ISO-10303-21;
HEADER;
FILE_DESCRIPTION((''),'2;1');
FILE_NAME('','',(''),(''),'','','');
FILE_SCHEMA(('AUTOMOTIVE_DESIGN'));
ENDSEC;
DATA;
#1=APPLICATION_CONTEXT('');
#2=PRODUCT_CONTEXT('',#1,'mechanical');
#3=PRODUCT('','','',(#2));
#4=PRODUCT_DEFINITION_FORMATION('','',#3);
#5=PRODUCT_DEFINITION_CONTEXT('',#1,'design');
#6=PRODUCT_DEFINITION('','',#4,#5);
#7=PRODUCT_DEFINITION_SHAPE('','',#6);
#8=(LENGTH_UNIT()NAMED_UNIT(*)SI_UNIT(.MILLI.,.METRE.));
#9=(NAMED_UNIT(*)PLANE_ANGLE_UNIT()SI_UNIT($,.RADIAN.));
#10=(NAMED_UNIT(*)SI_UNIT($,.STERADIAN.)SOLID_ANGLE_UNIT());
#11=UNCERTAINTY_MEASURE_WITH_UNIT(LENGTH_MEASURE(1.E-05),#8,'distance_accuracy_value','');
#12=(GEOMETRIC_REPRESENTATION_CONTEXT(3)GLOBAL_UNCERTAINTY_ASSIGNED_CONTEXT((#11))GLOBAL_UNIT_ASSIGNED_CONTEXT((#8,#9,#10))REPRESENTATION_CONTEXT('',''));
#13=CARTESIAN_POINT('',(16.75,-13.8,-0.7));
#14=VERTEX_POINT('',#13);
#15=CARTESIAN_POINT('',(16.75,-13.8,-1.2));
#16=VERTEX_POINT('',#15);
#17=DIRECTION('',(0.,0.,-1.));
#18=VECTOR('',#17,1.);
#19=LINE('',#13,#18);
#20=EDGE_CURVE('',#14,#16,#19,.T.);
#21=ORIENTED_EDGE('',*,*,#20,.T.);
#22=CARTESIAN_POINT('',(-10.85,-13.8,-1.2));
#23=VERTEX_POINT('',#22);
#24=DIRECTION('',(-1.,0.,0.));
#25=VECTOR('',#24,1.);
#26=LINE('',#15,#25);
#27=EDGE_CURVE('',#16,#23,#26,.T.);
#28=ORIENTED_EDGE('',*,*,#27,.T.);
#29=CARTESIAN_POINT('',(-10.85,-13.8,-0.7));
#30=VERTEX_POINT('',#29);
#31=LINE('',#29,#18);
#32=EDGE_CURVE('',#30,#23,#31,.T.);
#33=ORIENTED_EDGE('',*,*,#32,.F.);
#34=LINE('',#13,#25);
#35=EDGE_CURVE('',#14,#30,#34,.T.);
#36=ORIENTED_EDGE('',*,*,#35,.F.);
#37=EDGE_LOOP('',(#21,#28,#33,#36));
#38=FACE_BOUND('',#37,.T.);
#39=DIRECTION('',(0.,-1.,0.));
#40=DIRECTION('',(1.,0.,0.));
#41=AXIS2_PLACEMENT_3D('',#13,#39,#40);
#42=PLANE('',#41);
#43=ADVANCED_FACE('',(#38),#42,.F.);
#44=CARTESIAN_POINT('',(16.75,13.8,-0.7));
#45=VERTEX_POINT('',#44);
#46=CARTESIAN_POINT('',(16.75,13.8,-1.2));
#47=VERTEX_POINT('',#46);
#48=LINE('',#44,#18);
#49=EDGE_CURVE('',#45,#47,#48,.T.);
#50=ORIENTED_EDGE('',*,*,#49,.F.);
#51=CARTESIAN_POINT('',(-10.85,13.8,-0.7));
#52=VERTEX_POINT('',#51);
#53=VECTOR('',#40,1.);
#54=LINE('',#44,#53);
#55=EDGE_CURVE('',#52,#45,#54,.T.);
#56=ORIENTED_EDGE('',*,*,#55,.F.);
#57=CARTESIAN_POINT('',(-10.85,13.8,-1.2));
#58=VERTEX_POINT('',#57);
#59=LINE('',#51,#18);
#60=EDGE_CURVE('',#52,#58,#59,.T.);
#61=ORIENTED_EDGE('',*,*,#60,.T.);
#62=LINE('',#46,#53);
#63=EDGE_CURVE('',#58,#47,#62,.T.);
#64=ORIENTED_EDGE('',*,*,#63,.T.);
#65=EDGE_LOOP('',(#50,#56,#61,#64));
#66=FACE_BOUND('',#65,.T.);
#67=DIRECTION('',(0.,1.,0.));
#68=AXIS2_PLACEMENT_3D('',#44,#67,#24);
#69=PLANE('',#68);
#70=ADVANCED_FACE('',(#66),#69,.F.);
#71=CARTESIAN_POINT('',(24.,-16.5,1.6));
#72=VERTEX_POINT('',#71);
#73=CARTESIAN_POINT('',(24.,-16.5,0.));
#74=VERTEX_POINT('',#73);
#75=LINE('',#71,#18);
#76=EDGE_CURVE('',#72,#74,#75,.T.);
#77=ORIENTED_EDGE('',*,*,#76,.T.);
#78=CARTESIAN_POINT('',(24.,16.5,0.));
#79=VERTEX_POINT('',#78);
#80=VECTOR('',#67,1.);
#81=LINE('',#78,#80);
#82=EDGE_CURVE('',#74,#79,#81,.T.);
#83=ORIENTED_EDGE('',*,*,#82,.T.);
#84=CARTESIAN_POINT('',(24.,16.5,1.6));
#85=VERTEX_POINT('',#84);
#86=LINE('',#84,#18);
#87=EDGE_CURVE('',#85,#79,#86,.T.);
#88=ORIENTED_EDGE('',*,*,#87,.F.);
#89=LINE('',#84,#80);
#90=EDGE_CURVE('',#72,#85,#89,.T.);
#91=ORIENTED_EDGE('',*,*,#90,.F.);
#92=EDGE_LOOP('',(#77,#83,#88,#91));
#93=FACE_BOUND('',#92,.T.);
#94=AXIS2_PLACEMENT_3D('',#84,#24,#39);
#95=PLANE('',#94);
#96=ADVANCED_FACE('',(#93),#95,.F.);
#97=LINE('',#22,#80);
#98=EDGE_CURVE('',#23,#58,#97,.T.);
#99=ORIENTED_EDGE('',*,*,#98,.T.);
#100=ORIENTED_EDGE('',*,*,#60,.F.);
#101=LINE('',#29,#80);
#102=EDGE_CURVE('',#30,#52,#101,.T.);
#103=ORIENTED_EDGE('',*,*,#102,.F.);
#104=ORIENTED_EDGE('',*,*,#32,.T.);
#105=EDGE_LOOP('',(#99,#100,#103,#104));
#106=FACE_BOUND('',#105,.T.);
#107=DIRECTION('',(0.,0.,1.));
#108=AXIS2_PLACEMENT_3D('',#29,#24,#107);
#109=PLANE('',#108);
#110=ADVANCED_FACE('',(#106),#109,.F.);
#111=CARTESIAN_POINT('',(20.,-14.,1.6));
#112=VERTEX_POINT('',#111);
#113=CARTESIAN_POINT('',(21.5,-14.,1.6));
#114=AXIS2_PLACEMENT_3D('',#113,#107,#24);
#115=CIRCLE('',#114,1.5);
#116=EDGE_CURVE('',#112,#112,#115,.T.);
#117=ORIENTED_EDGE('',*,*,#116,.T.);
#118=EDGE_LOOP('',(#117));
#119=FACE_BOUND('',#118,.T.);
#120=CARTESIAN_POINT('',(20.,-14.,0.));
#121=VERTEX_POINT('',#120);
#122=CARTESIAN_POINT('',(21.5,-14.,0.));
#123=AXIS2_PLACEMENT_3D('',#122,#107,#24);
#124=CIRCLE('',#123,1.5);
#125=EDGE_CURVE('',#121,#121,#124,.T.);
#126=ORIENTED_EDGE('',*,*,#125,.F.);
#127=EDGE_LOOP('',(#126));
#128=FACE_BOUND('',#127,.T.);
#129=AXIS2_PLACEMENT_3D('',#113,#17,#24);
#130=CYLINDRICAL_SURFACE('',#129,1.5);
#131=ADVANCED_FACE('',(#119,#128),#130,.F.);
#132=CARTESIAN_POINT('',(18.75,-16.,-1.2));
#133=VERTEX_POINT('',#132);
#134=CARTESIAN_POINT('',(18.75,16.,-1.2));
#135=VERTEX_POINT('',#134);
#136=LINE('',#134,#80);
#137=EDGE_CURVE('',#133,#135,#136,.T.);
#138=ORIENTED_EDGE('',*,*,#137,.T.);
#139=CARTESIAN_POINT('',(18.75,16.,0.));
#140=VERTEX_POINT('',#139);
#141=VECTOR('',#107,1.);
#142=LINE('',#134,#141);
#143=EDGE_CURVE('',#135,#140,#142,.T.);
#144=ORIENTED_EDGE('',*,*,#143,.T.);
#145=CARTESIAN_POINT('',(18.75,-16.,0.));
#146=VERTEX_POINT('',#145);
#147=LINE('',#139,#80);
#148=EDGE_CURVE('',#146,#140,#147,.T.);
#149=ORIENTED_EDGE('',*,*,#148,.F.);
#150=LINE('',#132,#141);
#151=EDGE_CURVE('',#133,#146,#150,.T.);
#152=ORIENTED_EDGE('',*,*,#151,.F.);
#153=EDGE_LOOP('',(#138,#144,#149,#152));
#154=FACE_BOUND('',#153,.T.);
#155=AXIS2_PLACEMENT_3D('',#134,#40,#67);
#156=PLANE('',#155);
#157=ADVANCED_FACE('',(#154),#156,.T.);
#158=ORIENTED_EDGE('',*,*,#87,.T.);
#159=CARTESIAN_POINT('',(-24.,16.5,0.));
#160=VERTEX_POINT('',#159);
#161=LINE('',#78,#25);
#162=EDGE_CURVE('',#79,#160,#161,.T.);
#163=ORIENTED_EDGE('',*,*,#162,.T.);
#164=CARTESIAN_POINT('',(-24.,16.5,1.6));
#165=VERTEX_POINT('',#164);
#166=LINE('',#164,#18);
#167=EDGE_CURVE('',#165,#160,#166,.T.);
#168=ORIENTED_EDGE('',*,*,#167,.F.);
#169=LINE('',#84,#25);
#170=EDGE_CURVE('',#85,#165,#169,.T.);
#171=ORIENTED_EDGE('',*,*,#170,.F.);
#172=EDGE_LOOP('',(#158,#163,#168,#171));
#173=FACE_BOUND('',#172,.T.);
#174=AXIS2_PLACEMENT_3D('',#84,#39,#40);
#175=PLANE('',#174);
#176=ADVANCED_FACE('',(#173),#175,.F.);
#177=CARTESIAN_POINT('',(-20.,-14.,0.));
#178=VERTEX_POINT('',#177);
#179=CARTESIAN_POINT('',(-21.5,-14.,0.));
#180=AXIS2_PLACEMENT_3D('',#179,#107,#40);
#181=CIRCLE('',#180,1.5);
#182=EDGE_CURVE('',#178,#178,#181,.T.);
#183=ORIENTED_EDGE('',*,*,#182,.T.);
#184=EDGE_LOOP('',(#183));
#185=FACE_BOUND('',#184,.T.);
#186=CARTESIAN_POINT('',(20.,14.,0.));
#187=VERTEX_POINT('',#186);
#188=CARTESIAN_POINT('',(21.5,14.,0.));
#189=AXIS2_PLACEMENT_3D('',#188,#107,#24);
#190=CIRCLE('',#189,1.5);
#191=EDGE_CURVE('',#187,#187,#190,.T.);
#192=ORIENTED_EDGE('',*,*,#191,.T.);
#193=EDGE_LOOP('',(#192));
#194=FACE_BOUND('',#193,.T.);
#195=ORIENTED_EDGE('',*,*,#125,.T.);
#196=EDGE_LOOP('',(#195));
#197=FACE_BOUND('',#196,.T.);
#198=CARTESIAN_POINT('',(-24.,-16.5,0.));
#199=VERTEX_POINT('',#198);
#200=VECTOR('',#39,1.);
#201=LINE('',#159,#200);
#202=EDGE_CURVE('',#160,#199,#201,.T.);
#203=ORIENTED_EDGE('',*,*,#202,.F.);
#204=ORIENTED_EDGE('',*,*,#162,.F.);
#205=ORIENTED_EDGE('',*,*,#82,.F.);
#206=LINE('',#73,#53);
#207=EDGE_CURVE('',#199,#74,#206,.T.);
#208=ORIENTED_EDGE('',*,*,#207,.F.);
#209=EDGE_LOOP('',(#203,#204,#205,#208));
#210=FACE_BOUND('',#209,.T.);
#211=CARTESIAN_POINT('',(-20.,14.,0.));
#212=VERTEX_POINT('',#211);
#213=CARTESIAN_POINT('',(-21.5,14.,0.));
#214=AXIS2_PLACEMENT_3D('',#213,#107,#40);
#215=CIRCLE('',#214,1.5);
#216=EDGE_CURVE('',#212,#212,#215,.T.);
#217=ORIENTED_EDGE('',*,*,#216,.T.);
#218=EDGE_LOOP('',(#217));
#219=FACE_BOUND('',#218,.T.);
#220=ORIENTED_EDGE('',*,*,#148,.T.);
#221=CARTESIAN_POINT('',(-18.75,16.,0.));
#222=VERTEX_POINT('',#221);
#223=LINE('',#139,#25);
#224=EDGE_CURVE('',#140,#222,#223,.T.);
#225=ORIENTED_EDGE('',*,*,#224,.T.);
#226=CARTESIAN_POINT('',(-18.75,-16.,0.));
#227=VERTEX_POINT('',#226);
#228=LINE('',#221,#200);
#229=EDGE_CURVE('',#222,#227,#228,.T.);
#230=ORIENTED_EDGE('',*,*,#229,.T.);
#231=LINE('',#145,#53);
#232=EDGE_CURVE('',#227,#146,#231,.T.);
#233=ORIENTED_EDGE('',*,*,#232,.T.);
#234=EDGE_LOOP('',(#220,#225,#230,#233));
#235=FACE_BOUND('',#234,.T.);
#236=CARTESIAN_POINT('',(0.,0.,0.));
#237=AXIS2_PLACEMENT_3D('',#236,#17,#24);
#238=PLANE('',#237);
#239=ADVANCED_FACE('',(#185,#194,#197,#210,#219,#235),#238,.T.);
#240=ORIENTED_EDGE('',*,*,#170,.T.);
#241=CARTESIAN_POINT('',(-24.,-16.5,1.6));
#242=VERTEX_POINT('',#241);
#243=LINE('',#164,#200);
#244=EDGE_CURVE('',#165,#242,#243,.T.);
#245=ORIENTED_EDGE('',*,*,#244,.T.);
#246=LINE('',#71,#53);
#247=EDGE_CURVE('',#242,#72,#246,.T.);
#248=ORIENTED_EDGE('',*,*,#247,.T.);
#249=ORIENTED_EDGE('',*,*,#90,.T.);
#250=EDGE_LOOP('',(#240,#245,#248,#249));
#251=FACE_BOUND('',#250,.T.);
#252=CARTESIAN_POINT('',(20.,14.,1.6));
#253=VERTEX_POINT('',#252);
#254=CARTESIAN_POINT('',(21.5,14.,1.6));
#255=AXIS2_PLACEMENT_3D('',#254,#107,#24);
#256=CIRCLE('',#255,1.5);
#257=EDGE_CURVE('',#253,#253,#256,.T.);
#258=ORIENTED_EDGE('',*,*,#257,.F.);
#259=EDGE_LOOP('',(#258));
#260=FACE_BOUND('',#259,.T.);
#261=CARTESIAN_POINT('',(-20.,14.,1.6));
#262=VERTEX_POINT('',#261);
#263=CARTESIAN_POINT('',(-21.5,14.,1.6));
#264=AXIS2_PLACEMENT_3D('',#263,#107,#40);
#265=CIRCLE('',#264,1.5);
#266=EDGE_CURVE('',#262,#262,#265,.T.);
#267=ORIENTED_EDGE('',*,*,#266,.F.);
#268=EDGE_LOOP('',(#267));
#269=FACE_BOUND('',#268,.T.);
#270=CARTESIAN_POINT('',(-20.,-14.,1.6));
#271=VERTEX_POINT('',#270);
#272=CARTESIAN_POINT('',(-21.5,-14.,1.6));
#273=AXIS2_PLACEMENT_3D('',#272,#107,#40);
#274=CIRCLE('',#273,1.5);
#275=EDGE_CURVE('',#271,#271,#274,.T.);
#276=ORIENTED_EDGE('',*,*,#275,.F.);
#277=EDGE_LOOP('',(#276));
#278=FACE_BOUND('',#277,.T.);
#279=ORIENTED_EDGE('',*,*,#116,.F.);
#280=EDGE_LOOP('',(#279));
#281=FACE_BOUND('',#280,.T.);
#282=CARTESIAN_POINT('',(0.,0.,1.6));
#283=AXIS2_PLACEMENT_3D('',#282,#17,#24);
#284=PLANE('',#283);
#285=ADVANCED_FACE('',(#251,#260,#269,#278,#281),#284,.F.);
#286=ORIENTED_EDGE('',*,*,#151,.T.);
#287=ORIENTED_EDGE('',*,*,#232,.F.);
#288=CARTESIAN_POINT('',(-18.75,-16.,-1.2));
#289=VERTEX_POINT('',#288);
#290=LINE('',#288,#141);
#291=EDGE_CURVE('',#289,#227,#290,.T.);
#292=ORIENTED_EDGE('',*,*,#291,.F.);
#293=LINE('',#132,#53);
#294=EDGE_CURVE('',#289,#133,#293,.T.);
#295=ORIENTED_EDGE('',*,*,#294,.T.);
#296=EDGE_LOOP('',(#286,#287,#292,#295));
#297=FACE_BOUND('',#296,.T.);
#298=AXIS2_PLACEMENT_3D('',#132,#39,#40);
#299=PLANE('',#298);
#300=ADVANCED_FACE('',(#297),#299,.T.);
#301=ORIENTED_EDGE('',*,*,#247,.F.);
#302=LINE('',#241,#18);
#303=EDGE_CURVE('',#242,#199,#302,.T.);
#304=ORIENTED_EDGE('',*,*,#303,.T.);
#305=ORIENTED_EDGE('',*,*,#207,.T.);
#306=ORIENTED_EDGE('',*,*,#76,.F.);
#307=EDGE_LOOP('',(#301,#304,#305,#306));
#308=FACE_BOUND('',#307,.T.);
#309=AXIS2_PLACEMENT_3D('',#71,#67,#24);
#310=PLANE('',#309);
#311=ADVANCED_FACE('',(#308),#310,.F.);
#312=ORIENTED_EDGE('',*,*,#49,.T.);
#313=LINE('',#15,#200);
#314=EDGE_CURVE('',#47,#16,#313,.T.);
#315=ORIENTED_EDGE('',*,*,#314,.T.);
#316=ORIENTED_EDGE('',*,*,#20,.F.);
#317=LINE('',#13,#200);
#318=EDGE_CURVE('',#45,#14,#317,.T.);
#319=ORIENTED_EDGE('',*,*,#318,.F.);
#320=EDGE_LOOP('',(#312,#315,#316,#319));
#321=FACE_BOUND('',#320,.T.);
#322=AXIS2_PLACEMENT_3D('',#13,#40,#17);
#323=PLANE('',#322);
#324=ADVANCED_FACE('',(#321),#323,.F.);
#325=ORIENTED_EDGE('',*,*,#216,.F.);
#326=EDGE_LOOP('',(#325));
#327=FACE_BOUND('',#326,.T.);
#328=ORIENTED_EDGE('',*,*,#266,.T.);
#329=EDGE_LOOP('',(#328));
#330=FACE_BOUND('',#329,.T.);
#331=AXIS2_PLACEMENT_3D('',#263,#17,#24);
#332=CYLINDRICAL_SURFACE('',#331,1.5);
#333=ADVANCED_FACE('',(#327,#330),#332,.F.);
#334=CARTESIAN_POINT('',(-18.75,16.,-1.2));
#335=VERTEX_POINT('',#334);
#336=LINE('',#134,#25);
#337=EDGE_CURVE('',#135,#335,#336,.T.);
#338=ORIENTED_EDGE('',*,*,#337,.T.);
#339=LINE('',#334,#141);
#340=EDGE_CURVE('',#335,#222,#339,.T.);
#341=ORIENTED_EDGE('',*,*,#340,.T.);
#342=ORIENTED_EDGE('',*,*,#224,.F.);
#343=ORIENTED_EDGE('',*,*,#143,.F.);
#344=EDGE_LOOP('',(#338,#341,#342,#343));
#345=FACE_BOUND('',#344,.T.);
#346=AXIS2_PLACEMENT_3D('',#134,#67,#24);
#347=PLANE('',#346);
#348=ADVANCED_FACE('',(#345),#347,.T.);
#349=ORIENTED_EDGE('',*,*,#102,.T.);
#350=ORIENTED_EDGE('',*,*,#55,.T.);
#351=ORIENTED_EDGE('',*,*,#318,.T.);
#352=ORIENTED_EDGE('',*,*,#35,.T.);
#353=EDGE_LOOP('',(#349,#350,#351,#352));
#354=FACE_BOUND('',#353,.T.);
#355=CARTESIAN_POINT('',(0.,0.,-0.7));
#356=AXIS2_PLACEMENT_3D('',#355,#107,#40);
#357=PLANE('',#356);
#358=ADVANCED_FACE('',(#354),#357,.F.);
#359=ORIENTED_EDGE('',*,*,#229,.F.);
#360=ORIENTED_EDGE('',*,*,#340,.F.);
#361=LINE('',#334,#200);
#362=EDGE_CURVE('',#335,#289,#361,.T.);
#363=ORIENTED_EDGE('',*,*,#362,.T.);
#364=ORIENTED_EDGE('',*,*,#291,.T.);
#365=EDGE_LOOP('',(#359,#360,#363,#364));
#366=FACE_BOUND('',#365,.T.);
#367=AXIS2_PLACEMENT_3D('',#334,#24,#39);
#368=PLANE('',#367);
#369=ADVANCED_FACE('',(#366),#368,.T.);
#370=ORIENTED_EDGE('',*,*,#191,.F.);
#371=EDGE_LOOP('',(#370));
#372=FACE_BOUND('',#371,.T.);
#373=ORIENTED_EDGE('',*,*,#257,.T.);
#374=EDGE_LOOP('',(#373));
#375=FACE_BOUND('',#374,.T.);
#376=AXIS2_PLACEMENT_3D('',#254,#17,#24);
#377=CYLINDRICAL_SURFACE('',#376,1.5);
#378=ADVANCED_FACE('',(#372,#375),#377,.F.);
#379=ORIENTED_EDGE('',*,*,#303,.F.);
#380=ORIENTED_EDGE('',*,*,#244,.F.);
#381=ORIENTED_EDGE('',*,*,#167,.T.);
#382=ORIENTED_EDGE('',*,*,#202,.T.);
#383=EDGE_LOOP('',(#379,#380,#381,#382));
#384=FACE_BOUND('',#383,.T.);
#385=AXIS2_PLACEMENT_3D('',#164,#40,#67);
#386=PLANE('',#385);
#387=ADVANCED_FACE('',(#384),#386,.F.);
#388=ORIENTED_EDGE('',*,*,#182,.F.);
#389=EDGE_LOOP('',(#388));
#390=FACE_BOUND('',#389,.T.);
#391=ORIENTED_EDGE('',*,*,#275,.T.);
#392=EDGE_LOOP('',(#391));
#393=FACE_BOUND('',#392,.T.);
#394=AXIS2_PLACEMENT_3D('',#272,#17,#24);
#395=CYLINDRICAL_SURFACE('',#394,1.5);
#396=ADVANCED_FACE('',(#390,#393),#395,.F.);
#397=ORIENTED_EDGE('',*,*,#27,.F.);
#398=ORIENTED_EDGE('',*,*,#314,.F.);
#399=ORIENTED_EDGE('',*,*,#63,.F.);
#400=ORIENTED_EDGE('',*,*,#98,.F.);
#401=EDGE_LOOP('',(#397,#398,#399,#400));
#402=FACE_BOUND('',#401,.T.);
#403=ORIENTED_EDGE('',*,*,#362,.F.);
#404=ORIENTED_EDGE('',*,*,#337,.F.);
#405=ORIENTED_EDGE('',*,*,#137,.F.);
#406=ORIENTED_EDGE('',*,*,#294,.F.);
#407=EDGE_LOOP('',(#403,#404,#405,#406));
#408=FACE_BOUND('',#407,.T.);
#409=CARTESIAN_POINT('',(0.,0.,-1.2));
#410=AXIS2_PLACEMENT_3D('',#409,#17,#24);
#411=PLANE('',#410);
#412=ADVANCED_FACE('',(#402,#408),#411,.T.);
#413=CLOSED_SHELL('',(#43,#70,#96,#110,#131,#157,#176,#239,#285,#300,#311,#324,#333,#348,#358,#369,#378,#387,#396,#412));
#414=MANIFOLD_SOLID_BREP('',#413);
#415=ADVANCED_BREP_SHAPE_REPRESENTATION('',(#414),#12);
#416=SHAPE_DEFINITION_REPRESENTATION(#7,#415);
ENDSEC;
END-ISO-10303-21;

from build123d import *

# Parameters (mm, degrees)
BASE_PCB_W              = 48
BASE_PCB_H              = 33
BASE_PCB_R              = 1.5
BOSS_EXTRU_1_DEPTH      = 1.6
ESQUISSE4_W             = 37.5
ESQUISSE4_H             = 32
BOSS_EXTRU_2_DEPTH      = 1.2
ESQUISSE5_W             = 27.6
ESQUISSE5_H             = 27.6
ENL_V_MAT_EXTRU_2_DEPTH = 0.5


with BuildPart() as part:
    # BASE PCB → Boss.-Extru.1 (new body)
    with BuildSketch(Plane.XY):
        Rectangle(BASE_PCB_W, BASE_PCB_H)
        with Locations((-21.5, 14)):
            Circle(BASE_PCB_R, mode=Mode.SUBTRACT)
        with Locations((-21.5, -14)):
            Circle(BASE_PCB_R, mode=Mode.SUBTRACT)
        with Locations(Location((21.5, -14, 0), (0, 0, 180))):
            Circle(BASE_PCB_R, mode=Mode.SUBTRACT)
        with Locations(Location((21.5, 14, 0), (0, 0, 180))):
            Circle(BASE_PCB_R, mode=Mode.SUBTRACT)
    extrude(amount=BOSS_EXTRU_1_DEPTH)

    # Esquisse4 → Boss.-Extru.2 (add)
    with BuildSketch(Plane.XY):
        Rectangle(ESQUISSE4_W, ESQUISSE4_H)
    extrude(amount=-BOSS_EXTRU_2_DEPTH)

    # Esquisse5 → Enlèv. mat.-Extru.2 (cut)
    with BuildSketch(Plane(origin=(0, 0, -1.2), x_dir=(-1, 0, 0), z_dir=(0, 0, -1))):
        with Locations((-2.95, 0)):
            Rectangle(ESQUISSE5_W, ESQUISSE5_H)
    extrude(amount=-ENL_V_MAT_EXTRU_2_DEPTH, mode=Mode.SUBTRACT)


solid = part.part
